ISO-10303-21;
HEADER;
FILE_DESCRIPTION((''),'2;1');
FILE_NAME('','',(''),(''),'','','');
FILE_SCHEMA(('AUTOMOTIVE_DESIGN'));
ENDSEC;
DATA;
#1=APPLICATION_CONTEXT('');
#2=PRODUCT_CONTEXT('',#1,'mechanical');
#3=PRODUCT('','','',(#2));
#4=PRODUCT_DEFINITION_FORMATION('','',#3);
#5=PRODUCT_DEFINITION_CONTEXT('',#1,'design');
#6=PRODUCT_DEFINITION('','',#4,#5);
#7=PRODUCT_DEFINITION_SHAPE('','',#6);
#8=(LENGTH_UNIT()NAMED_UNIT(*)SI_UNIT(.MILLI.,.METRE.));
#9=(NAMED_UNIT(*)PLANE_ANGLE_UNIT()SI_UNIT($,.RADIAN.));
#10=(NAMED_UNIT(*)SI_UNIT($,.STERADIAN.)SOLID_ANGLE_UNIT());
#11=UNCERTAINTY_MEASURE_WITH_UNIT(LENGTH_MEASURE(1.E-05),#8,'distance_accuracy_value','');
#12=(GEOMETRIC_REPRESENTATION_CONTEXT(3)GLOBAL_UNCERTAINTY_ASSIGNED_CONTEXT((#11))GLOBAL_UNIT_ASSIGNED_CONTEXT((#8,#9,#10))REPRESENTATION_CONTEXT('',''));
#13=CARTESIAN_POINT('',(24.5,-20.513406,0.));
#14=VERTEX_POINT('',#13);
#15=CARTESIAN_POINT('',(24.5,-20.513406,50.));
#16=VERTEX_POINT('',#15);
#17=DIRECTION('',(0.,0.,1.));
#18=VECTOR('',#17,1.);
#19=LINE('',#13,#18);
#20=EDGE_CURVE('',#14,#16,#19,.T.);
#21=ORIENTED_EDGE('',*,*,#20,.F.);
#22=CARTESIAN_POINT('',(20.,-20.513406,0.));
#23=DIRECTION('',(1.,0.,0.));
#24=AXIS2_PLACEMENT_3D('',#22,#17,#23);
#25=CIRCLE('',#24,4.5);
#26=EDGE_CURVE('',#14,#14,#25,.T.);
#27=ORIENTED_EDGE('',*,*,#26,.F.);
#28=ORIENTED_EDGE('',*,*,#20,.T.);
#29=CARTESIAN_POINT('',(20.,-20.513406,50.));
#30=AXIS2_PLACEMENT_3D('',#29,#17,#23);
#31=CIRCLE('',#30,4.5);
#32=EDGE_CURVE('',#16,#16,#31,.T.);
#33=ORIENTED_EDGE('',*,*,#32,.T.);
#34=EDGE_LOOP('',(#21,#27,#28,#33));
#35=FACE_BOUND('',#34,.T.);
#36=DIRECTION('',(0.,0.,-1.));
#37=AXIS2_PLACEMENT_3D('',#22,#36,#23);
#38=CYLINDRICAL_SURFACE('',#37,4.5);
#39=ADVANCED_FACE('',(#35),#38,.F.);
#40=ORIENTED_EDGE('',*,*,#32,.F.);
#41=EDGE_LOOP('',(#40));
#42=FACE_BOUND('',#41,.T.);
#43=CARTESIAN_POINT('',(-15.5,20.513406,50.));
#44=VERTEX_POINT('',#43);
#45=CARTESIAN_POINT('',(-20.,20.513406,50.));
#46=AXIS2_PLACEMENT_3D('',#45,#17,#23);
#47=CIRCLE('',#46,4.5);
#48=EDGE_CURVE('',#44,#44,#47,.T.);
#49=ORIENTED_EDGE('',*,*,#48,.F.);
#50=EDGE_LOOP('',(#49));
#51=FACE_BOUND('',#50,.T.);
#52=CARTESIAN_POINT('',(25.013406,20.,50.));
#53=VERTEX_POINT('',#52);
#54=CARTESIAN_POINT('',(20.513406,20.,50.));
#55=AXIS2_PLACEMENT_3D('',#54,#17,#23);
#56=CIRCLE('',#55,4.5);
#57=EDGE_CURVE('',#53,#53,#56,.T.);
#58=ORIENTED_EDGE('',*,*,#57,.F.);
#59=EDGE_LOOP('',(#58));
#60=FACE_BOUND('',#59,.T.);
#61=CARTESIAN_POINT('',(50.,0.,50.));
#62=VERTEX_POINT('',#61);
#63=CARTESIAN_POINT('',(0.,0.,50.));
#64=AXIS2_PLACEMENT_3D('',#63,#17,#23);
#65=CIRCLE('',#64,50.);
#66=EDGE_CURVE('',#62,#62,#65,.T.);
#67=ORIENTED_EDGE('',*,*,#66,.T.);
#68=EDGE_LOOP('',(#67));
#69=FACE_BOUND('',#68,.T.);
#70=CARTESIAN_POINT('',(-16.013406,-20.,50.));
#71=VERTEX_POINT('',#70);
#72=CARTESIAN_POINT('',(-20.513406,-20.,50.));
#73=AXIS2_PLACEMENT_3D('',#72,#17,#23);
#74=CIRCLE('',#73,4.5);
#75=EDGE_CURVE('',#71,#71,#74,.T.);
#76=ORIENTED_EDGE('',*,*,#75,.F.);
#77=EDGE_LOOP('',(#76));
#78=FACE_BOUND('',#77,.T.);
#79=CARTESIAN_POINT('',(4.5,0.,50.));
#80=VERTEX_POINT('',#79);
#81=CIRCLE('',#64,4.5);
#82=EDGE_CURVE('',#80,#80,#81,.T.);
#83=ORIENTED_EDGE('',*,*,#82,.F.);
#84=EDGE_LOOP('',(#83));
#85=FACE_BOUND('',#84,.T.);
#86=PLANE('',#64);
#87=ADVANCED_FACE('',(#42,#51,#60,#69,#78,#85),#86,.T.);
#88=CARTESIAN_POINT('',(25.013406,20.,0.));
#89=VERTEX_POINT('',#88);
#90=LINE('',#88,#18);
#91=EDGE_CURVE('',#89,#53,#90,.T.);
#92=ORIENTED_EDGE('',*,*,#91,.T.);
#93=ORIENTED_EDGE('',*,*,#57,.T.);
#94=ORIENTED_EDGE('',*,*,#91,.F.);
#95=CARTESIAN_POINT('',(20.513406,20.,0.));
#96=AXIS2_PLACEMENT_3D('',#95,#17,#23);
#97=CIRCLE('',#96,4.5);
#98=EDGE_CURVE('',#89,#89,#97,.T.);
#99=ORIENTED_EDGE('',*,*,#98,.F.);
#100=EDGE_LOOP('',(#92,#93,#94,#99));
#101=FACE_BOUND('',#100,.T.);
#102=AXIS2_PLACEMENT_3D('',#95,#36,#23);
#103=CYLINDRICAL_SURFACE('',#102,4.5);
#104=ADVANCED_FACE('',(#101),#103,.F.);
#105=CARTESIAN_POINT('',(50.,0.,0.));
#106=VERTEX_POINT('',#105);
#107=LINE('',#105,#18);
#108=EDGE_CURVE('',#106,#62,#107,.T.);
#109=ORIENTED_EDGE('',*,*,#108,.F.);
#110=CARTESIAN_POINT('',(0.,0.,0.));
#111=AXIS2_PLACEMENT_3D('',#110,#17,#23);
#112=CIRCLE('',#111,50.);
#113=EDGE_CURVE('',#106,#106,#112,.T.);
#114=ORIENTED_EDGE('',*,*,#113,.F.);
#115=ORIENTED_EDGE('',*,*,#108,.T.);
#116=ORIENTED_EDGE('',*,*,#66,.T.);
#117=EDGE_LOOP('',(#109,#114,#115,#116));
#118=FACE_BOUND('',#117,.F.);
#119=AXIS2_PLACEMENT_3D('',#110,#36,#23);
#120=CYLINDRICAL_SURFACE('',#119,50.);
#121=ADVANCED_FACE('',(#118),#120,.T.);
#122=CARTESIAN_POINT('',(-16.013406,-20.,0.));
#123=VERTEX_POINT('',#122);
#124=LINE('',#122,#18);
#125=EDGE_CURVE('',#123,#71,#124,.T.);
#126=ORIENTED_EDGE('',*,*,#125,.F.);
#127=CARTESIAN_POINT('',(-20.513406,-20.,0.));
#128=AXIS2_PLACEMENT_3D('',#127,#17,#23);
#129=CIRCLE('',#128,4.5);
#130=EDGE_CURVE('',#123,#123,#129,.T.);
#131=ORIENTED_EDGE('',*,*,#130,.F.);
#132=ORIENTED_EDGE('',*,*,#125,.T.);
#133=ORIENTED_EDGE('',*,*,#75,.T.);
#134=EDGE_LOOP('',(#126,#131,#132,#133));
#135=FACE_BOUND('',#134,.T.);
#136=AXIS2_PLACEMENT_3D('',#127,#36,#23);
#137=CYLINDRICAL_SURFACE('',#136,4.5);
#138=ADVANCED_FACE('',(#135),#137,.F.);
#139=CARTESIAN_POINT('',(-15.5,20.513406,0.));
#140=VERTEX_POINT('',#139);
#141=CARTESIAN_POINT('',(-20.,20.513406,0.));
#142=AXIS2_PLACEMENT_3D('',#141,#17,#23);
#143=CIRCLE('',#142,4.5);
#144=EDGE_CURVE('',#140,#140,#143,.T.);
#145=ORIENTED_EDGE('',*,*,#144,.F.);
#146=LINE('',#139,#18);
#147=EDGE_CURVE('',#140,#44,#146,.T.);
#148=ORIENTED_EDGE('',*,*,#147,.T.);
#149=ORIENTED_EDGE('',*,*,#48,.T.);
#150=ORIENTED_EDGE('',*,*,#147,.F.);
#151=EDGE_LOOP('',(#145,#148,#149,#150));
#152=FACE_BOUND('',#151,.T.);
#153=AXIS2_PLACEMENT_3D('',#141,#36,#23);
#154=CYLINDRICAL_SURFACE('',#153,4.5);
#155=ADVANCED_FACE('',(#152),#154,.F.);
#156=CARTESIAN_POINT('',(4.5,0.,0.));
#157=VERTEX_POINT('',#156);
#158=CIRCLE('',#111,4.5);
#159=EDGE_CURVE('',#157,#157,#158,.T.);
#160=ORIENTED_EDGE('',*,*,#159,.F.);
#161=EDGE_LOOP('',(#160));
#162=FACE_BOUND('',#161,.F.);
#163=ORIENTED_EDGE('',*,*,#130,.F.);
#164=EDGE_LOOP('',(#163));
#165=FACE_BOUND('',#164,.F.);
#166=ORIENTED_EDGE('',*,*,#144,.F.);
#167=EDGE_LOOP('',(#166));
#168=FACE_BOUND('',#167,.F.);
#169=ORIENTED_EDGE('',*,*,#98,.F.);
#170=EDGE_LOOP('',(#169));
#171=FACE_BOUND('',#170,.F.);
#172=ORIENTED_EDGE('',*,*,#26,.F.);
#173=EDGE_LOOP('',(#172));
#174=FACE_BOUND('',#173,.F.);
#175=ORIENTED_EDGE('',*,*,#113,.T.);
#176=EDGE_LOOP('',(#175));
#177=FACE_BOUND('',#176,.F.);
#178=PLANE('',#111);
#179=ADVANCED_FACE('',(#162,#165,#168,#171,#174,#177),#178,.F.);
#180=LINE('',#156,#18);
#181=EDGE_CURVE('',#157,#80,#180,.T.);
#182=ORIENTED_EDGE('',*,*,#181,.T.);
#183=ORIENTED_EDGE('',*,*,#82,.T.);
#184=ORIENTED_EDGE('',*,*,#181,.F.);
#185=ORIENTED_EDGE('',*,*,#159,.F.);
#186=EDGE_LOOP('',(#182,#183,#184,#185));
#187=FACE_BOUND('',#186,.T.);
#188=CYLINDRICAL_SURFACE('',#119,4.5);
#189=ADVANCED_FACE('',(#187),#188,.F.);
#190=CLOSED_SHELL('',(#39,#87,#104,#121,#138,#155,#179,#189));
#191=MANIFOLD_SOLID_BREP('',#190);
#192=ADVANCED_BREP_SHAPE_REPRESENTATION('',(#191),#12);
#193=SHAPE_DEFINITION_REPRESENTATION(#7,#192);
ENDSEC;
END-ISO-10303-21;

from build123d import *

# Parameters (mm, degrees)
F0_R     = 50
F0_R_2   = 4.5
F1_DEPTH = 50


with BuildPart() as f1:
    # F0 (on Top) → F1 (new body)
    with BuildSketch(Plane.XY):
        Circle(F0_R)
        with Locations((-20.513406, -20)):
            Circle(F0_R_2, mode=Mode.SUBTRACT)
        with Locations((20, -20.513406)):
            Circle(F0_R_2, mode=Mode.SUBTRACT)
        with Locations((-20, 20.513406)):
            Circle(F0_R_2, mode=Mode.SUBTRACT)
        Circle(F0_R_2, mode=Mode.SUBTRACT)
        with Locations((20.513406, 20)):
            Circle(F0_R_2, mode=Mode.SUBTRACT)
    extrude(amount=F1_DEPTH)


solid = f1.part
